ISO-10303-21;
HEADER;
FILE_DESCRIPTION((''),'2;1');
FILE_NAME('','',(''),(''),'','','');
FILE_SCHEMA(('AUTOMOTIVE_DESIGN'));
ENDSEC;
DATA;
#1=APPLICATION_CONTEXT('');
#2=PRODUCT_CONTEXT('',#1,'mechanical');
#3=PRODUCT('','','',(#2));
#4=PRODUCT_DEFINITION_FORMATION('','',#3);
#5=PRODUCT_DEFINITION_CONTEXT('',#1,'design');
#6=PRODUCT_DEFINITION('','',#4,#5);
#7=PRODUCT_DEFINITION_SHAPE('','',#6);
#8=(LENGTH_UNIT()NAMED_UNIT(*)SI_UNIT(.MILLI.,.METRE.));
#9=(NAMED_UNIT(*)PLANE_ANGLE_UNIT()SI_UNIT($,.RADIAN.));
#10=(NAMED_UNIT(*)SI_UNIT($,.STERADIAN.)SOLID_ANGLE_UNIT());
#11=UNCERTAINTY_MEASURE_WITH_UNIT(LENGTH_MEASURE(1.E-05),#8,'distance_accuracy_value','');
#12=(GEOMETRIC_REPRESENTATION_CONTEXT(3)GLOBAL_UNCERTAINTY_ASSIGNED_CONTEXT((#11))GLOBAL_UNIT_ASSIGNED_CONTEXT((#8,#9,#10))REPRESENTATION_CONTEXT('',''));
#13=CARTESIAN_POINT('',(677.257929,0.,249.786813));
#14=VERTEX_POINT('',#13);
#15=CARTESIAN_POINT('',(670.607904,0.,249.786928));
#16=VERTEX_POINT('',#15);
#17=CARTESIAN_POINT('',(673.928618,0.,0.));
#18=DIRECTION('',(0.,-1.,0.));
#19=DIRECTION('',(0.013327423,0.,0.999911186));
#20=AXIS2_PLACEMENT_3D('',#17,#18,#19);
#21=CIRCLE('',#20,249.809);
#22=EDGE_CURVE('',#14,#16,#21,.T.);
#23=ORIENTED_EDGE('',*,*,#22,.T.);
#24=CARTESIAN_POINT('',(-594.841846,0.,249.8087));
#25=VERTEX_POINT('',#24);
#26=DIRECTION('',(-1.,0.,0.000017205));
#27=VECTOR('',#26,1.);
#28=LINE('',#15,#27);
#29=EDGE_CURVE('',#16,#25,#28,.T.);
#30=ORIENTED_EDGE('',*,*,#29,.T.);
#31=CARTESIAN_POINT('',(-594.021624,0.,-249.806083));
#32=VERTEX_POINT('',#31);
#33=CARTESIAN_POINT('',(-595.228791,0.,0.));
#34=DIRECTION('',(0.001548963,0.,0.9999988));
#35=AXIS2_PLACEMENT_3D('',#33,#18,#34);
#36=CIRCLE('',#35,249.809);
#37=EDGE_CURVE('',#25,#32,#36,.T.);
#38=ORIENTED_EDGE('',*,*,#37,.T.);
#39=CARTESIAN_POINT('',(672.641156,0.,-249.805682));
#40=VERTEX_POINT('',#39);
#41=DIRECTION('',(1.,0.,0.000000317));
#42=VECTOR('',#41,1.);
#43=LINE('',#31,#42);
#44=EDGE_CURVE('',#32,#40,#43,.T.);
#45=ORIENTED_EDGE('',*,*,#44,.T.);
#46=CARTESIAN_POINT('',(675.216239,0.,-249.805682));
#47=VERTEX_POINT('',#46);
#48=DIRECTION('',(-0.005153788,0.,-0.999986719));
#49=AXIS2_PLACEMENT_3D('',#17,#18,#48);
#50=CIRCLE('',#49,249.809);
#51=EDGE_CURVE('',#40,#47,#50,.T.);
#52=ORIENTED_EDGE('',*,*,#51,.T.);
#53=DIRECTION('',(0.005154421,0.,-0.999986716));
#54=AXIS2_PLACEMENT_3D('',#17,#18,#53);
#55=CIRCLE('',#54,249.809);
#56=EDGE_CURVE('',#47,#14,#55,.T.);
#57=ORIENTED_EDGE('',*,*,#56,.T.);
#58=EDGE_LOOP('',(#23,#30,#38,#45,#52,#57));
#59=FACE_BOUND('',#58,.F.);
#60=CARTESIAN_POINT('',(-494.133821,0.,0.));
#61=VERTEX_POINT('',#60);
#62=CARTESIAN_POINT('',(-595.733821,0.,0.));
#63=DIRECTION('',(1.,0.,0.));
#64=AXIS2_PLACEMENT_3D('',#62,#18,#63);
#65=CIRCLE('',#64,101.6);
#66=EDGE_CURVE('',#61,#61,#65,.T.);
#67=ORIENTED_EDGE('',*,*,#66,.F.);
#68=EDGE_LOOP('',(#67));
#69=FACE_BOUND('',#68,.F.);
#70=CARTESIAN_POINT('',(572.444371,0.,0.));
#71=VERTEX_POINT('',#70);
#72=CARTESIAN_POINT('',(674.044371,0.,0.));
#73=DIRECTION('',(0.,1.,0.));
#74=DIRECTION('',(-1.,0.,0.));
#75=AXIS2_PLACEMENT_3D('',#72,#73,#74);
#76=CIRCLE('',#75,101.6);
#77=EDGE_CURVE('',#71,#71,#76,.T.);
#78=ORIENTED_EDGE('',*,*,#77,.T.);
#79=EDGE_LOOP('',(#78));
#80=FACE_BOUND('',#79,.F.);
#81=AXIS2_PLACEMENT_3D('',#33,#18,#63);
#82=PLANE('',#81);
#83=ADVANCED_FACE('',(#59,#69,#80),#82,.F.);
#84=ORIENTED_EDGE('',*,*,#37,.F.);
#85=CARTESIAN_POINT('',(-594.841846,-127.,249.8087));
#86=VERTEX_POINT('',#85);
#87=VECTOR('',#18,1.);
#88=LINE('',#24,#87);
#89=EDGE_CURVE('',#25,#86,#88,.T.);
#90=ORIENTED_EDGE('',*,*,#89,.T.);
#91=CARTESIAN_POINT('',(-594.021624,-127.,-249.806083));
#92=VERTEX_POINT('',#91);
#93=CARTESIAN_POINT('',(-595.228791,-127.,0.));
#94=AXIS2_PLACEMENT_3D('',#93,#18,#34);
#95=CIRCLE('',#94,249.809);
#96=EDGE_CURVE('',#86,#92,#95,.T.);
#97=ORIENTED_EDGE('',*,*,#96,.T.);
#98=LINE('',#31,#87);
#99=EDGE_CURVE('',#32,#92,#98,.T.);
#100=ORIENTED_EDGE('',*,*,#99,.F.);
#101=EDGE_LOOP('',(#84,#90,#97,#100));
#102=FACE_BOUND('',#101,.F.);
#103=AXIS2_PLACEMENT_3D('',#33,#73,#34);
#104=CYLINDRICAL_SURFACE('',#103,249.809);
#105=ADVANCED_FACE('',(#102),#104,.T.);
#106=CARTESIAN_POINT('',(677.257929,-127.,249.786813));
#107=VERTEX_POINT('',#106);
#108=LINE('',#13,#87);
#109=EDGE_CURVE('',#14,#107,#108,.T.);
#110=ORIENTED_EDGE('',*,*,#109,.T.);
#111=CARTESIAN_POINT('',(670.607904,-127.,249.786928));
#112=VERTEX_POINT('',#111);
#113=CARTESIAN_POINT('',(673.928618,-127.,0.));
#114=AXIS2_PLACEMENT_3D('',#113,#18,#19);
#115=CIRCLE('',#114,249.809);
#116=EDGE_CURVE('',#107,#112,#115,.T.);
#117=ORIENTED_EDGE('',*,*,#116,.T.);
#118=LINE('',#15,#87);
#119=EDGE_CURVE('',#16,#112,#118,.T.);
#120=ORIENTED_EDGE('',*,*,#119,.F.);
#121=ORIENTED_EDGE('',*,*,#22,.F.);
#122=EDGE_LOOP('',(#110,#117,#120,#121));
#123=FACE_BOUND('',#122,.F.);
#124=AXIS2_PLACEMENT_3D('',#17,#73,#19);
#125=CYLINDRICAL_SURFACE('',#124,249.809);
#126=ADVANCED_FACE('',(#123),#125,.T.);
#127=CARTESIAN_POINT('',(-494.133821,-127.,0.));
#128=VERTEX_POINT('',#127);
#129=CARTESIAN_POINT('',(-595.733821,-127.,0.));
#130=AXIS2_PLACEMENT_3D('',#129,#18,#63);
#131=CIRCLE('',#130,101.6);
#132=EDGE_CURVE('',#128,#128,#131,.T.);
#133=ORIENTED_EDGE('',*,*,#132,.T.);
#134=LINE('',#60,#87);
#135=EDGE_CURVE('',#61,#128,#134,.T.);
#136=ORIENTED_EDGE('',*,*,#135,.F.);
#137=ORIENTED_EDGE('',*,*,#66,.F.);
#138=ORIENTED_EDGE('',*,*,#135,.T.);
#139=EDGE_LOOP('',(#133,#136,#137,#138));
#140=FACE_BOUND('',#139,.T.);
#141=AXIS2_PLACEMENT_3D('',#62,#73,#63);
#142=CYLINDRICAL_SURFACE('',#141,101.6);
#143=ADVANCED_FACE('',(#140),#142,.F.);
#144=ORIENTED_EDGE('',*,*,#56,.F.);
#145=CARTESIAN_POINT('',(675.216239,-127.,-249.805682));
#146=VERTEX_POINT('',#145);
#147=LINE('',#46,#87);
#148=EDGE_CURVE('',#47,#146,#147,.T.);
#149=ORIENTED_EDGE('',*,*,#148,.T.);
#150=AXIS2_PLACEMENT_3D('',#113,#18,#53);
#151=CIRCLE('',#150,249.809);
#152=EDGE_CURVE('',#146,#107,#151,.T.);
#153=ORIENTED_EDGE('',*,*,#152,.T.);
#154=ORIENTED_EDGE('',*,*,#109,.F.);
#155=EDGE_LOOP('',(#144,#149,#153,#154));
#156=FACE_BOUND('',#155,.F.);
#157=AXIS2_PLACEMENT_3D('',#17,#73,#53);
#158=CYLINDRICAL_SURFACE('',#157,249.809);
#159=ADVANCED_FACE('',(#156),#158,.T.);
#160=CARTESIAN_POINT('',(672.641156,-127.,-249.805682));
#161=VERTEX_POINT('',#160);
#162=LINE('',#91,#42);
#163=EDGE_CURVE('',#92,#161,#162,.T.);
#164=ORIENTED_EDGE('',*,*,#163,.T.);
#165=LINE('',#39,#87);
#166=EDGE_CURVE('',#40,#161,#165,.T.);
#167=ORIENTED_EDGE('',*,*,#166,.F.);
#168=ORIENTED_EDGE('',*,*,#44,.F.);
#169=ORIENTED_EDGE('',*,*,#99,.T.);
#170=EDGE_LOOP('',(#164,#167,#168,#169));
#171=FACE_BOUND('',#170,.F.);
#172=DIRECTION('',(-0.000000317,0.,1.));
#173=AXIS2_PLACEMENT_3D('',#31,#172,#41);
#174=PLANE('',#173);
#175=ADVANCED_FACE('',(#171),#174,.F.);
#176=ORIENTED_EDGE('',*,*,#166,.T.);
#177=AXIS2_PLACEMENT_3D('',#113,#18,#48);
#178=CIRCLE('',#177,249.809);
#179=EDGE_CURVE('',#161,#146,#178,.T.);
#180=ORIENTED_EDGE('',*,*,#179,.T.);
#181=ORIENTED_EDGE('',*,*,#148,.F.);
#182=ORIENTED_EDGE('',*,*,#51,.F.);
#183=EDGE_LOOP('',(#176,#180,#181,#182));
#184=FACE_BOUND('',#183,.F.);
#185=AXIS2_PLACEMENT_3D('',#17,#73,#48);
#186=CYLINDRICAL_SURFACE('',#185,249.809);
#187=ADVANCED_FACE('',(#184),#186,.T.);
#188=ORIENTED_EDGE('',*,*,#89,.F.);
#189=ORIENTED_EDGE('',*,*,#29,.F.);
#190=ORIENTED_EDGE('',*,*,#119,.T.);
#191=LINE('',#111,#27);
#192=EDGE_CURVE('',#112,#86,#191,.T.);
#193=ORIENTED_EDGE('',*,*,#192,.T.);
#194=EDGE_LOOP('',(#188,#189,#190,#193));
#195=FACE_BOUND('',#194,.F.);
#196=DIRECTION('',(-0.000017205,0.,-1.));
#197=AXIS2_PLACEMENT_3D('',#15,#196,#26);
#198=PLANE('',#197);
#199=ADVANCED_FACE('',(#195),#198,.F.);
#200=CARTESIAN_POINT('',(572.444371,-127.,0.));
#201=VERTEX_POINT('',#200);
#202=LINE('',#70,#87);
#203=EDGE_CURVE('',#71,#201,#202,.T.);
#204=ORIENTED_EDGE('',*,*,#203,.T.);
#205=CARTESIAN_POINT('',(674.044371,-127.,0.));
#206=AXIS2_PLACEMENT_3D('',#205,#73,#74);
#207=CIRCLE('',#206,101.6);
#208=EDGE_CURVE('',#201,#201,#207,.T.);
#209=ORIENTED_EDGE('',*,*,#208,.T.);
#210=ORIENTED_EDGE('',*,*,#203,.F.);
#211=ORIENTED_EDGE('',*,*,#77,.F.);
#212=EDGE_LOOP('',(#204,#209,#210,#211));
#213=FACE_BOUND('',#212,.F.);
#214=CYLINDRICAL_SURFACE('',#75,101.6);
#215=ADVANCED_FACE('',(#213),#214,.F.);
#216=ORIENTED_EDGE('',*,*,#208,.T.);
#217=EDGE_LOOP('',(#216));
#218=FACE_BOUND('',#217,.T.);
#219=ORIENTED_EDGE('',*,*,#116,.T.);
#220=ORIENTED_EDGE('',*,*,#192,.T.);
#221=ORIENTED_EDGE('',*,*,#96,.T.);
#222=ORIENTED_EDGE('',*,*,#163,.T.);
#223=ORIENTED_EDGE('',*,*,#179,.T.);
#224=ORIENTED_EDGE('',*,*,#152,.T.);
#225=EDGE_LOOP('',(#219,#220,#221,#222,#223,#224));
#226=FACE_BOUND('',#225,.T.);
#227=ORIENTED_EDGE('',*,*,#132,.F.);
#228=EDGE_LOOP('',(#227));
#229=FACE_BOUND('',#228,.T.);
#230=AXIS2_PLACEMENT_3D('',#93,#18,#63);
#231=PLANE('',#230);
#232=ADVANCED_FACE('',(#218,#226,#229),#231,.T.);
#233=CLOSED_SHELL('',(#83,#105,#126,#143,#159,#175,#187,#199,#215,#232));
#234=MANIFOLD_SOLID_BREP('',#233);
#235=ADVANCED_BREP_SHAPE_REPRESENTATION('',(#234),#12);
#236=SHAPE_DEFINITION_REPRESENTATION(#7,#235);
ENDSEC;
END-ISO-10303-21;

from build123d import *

# Parameters (mm, degrees)
F0_R     = 101.6
F1_DEPTH = 127


with BuildPart() as f1:
    # F0 (on Front) → F1 (new body)
    with BuildSketch(Plane.XZ):
        with BuildLine():
            ThreePointArc((-594.0216244621, -249.8060832513), (-418.1608697973, -176.2143231354), (-345.4197912369, 0))
            ThreePointArc((-345.4197912369, 0), (-418.4504005778, 176.5047791902), (-594.8418463027, 249.8087003181))
            ThreePointArc((-594.8418463027, 249.8087003181), (-845.0374545941, -0.4101130079), (-594.0216244621, -249.8060832513))
        make_face()
        with Locations((-595.7338213921, 0)):
            Circle(F0_R, mode=Mode.SUBTRACT)
        with BuildLine():
            ThreePointArc((-594.8418463027, 249.8087003181), (-418.4504005778, 176.5047791902), (-345.4197912369, 0))
            Line((-345.4197912369, 0), (424.1196184311, 0))
            ThreePointArc((424.1196184311, 0), (496.1168064855, 175.4636600941), (670.6079035898, 249.7869278684))
            Line((670.6079035898, 249.7869278684), (-594.8418463027, 249.8087003181))
        make_face()
        with BuildLine():
            Line((424.1196184311, 0), (-345.4197912369, 0))
            ThreePointArc((-345.4197912369, 0), (-418.1608697973, -176.2143231354), (-594.0216244621, -249.8060832513))
            Line((-594.0216244621, -249.8060832513), (672.6411559265, -249.8056823239))
            ThreePointArc((672.6411559265, -249.8056823239), (496.8323787734, -176.1858631676), (424.1196184311, 0))
        make_face()
        with BuildLine():
            ThreePointArc((670.6079035898, 249.7869278684), (496.1168064855, 175.4636600941), (424.1196184311, 0))
            ThreePointArc((424.1196184311, 0), (496.8323787734, -176.1858631676), (672.6411559265, -249.8056823239))
            Line((672.6411559265, -249.8056823239), (675.216239074, -249.8056815088))
            ThreePointArc((675.216239074, -249.8056815088), (851.0249138556, -176.1858071126), (923.7376184311, 0))
            ThreePointArc((923.7376184311, 0), (851.7434492563, 175.4606007615), (677.2579285912, 249.7868134527))
            Line((677.2579285912, 249.7868134527), (670.6079035898, 249.7869278684))
        make_face()
        with BuildLine():
            ThreePointArc((775.6443706512, 0), (674.0443706512, -101.6), (572.4443706512, 0))
            ThreePointArc((572.4443706512, 0), (674.0443706512, 101.6), (775.6443706512, 0))
        make_face(mode=Mode.SUBTRACT)
        with BuildLine():
            ThreePointArc((677.2579285912, 249.7868134527), (673.9329164713, 249.808999963), (670.6079035898, 249.7869278684))
            Line((670.6079035898, 249.7869278684), (677.2579285912, 249.7868134527))
        make_face()
        with BuildLine():
            Line((675.216239074, -249.8056815088), (672.6411559265, -249.8056823239))
            ThreePointArc((672.6411559265, -249.8056823239), (673.9286975013, -249.809), (675.216239074, -249.8056815088))
        make_face()
    extrude(amount=F1_DEPTH)


solid = f1.part
